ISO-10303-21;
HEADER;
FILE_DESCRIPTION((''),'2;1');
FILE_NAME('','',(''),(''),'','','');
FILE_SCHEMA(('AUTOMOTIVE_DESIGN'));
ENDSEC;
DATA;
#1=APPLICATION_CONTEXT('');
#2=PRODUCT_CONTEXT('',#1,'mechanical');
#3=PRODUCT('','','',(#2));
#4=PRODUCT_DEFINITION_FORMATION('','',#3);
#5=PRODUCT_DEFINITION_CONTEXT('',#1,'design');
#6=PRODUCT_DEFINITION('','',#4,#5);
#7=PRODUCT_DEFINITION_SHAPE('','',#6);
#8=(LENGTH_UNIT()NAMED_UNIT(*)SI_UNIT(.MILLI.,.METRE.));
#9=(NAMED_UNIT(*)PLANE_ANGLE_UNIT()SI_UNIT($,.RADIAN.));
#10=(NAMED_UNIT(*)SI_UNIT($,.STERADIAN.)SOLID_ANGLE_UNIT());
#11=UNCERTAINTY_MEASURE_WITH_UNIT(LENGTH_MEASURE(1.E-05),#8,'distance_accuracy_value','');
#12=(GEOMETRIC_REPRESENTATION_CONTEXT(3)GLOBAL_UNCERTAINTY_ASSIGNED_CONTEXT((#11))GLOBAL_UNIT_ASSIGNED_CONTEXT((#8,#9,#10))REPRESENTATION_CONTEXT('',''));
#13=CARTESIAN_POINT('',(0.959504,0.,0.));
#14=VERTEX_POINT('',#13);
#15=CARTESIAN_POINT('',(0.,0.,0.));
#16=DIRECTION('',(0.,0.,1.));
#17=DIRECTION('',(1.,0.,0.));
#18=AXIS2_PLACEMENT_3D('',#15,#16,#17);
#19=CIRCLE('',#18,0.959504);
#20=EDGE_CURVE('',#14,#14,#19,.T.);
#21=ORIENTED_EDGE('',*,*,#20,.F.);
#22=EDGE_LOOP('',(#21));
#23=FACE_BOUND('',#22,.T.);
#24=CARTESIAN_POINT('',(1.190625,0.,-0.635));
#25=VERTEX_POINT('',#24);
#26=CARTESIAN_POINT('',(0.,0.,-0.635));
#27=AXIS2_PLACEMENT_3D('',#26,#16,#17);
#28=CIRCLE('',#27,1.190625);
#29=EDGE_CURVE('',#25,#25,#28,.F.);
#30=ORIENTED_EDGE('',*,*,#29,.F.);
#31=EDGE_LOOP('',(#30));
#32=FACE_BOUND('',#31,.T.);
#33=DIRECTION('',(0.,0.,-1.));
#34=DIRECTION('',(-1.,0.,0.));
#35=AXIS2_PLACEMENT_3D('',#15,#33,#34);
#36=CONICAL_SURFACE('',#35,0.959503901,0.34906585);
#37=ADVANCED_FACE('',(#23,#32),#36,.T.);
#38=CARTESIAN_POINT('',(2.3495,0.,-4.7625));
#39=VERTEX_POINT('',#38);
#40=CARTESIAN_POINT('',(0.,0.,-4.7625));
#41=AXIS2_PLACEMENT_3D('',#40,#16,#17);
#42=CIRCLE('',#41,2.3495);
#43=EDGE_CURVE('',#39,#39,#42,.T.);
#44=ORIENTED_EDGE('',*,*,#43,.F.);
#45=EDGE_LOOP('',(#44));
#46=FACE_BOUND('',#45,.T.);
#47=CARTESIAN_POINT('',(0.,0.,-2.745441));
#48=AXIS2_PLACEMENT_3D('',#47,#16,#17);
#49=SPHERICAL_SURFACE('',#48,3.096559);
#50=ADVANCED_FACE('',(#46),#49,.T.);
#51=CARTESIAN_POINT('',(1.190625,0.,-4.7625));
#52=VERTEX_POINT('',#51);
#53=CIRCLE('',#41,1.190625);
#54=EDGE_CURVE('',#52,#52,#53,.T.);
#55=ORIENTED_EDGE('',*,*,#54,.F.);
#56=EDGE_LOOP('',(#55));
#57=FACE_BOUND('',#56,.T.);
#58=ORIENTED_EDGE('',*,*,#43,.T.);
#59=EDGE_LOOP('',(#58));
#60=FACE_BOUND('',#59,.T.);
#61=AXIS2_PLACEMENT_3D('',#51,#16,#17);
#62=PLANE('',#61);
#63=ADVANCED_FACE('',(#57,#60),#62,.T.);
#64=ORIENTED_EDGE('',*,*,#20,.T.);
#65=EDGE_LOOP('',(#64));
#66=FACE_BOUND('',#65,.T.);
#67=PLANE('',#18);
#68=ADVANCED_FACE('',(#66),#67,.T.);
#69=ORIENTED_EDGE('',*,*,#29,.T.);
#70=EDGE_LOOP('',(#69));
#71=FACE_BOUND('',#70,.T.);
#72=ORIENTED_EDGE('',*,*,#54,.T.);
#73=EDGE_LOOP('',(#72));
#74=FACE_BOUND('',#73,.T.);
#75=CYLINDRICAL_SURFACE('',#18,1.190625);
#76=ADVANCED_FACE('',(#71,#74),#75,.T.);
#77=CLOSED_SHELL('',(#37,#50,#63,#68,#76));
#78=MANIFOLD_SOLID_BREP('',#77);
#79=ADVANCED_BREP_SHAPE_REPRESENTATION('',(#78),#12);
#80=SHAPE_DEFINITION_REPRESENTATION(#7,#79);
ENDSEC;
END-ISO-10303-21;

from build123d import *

# Parameters (mm, degrees)
CHAMFER1_SIZE  = 0.635
CHAMFER1_SIZE2 = 0.231121099


with BuildPart() as part:
    # Sketch1 → Revolve1 (revolve)
    with BuildSketch(Plane(origin=(0, 0, 0), x_dir=(1, 0, 0), z_dir=(0, 1, 0))):
        with BuildLine():
            Line((0, 0), (1.190625, 0))
            Line((1.190625, 0), (1.190625, 4.7625))
            Line((1.190625, 4.7625), (2.3495, 4.7625))
            ThreePointArc((2.3495, 4.7625), (1.29281384, 5.559212475), (0, 5.842))
            Line((0, 5.842), (0, 0))
        make_face()
    revolve(axis=Axis((0, 0, 0), (0, 0, -1)))

    # Chamfer1
    chamfer1_edges = [part.edges().sort_by_distance(p)[0] for p in [
        (-1.190625, 0, 0),
    ]]
    chamfer1_side = [part.faces().sort_by_distance(p)[0] for p in [
        (-1.190625, 0, -2.38125),
    ]]
    chamfer(chamfer1_edges, length=CHAMFER1_SIZE, length2=CHAMFER1_SIZE2, reference=chamfer1_side[0])


solid = part.part
